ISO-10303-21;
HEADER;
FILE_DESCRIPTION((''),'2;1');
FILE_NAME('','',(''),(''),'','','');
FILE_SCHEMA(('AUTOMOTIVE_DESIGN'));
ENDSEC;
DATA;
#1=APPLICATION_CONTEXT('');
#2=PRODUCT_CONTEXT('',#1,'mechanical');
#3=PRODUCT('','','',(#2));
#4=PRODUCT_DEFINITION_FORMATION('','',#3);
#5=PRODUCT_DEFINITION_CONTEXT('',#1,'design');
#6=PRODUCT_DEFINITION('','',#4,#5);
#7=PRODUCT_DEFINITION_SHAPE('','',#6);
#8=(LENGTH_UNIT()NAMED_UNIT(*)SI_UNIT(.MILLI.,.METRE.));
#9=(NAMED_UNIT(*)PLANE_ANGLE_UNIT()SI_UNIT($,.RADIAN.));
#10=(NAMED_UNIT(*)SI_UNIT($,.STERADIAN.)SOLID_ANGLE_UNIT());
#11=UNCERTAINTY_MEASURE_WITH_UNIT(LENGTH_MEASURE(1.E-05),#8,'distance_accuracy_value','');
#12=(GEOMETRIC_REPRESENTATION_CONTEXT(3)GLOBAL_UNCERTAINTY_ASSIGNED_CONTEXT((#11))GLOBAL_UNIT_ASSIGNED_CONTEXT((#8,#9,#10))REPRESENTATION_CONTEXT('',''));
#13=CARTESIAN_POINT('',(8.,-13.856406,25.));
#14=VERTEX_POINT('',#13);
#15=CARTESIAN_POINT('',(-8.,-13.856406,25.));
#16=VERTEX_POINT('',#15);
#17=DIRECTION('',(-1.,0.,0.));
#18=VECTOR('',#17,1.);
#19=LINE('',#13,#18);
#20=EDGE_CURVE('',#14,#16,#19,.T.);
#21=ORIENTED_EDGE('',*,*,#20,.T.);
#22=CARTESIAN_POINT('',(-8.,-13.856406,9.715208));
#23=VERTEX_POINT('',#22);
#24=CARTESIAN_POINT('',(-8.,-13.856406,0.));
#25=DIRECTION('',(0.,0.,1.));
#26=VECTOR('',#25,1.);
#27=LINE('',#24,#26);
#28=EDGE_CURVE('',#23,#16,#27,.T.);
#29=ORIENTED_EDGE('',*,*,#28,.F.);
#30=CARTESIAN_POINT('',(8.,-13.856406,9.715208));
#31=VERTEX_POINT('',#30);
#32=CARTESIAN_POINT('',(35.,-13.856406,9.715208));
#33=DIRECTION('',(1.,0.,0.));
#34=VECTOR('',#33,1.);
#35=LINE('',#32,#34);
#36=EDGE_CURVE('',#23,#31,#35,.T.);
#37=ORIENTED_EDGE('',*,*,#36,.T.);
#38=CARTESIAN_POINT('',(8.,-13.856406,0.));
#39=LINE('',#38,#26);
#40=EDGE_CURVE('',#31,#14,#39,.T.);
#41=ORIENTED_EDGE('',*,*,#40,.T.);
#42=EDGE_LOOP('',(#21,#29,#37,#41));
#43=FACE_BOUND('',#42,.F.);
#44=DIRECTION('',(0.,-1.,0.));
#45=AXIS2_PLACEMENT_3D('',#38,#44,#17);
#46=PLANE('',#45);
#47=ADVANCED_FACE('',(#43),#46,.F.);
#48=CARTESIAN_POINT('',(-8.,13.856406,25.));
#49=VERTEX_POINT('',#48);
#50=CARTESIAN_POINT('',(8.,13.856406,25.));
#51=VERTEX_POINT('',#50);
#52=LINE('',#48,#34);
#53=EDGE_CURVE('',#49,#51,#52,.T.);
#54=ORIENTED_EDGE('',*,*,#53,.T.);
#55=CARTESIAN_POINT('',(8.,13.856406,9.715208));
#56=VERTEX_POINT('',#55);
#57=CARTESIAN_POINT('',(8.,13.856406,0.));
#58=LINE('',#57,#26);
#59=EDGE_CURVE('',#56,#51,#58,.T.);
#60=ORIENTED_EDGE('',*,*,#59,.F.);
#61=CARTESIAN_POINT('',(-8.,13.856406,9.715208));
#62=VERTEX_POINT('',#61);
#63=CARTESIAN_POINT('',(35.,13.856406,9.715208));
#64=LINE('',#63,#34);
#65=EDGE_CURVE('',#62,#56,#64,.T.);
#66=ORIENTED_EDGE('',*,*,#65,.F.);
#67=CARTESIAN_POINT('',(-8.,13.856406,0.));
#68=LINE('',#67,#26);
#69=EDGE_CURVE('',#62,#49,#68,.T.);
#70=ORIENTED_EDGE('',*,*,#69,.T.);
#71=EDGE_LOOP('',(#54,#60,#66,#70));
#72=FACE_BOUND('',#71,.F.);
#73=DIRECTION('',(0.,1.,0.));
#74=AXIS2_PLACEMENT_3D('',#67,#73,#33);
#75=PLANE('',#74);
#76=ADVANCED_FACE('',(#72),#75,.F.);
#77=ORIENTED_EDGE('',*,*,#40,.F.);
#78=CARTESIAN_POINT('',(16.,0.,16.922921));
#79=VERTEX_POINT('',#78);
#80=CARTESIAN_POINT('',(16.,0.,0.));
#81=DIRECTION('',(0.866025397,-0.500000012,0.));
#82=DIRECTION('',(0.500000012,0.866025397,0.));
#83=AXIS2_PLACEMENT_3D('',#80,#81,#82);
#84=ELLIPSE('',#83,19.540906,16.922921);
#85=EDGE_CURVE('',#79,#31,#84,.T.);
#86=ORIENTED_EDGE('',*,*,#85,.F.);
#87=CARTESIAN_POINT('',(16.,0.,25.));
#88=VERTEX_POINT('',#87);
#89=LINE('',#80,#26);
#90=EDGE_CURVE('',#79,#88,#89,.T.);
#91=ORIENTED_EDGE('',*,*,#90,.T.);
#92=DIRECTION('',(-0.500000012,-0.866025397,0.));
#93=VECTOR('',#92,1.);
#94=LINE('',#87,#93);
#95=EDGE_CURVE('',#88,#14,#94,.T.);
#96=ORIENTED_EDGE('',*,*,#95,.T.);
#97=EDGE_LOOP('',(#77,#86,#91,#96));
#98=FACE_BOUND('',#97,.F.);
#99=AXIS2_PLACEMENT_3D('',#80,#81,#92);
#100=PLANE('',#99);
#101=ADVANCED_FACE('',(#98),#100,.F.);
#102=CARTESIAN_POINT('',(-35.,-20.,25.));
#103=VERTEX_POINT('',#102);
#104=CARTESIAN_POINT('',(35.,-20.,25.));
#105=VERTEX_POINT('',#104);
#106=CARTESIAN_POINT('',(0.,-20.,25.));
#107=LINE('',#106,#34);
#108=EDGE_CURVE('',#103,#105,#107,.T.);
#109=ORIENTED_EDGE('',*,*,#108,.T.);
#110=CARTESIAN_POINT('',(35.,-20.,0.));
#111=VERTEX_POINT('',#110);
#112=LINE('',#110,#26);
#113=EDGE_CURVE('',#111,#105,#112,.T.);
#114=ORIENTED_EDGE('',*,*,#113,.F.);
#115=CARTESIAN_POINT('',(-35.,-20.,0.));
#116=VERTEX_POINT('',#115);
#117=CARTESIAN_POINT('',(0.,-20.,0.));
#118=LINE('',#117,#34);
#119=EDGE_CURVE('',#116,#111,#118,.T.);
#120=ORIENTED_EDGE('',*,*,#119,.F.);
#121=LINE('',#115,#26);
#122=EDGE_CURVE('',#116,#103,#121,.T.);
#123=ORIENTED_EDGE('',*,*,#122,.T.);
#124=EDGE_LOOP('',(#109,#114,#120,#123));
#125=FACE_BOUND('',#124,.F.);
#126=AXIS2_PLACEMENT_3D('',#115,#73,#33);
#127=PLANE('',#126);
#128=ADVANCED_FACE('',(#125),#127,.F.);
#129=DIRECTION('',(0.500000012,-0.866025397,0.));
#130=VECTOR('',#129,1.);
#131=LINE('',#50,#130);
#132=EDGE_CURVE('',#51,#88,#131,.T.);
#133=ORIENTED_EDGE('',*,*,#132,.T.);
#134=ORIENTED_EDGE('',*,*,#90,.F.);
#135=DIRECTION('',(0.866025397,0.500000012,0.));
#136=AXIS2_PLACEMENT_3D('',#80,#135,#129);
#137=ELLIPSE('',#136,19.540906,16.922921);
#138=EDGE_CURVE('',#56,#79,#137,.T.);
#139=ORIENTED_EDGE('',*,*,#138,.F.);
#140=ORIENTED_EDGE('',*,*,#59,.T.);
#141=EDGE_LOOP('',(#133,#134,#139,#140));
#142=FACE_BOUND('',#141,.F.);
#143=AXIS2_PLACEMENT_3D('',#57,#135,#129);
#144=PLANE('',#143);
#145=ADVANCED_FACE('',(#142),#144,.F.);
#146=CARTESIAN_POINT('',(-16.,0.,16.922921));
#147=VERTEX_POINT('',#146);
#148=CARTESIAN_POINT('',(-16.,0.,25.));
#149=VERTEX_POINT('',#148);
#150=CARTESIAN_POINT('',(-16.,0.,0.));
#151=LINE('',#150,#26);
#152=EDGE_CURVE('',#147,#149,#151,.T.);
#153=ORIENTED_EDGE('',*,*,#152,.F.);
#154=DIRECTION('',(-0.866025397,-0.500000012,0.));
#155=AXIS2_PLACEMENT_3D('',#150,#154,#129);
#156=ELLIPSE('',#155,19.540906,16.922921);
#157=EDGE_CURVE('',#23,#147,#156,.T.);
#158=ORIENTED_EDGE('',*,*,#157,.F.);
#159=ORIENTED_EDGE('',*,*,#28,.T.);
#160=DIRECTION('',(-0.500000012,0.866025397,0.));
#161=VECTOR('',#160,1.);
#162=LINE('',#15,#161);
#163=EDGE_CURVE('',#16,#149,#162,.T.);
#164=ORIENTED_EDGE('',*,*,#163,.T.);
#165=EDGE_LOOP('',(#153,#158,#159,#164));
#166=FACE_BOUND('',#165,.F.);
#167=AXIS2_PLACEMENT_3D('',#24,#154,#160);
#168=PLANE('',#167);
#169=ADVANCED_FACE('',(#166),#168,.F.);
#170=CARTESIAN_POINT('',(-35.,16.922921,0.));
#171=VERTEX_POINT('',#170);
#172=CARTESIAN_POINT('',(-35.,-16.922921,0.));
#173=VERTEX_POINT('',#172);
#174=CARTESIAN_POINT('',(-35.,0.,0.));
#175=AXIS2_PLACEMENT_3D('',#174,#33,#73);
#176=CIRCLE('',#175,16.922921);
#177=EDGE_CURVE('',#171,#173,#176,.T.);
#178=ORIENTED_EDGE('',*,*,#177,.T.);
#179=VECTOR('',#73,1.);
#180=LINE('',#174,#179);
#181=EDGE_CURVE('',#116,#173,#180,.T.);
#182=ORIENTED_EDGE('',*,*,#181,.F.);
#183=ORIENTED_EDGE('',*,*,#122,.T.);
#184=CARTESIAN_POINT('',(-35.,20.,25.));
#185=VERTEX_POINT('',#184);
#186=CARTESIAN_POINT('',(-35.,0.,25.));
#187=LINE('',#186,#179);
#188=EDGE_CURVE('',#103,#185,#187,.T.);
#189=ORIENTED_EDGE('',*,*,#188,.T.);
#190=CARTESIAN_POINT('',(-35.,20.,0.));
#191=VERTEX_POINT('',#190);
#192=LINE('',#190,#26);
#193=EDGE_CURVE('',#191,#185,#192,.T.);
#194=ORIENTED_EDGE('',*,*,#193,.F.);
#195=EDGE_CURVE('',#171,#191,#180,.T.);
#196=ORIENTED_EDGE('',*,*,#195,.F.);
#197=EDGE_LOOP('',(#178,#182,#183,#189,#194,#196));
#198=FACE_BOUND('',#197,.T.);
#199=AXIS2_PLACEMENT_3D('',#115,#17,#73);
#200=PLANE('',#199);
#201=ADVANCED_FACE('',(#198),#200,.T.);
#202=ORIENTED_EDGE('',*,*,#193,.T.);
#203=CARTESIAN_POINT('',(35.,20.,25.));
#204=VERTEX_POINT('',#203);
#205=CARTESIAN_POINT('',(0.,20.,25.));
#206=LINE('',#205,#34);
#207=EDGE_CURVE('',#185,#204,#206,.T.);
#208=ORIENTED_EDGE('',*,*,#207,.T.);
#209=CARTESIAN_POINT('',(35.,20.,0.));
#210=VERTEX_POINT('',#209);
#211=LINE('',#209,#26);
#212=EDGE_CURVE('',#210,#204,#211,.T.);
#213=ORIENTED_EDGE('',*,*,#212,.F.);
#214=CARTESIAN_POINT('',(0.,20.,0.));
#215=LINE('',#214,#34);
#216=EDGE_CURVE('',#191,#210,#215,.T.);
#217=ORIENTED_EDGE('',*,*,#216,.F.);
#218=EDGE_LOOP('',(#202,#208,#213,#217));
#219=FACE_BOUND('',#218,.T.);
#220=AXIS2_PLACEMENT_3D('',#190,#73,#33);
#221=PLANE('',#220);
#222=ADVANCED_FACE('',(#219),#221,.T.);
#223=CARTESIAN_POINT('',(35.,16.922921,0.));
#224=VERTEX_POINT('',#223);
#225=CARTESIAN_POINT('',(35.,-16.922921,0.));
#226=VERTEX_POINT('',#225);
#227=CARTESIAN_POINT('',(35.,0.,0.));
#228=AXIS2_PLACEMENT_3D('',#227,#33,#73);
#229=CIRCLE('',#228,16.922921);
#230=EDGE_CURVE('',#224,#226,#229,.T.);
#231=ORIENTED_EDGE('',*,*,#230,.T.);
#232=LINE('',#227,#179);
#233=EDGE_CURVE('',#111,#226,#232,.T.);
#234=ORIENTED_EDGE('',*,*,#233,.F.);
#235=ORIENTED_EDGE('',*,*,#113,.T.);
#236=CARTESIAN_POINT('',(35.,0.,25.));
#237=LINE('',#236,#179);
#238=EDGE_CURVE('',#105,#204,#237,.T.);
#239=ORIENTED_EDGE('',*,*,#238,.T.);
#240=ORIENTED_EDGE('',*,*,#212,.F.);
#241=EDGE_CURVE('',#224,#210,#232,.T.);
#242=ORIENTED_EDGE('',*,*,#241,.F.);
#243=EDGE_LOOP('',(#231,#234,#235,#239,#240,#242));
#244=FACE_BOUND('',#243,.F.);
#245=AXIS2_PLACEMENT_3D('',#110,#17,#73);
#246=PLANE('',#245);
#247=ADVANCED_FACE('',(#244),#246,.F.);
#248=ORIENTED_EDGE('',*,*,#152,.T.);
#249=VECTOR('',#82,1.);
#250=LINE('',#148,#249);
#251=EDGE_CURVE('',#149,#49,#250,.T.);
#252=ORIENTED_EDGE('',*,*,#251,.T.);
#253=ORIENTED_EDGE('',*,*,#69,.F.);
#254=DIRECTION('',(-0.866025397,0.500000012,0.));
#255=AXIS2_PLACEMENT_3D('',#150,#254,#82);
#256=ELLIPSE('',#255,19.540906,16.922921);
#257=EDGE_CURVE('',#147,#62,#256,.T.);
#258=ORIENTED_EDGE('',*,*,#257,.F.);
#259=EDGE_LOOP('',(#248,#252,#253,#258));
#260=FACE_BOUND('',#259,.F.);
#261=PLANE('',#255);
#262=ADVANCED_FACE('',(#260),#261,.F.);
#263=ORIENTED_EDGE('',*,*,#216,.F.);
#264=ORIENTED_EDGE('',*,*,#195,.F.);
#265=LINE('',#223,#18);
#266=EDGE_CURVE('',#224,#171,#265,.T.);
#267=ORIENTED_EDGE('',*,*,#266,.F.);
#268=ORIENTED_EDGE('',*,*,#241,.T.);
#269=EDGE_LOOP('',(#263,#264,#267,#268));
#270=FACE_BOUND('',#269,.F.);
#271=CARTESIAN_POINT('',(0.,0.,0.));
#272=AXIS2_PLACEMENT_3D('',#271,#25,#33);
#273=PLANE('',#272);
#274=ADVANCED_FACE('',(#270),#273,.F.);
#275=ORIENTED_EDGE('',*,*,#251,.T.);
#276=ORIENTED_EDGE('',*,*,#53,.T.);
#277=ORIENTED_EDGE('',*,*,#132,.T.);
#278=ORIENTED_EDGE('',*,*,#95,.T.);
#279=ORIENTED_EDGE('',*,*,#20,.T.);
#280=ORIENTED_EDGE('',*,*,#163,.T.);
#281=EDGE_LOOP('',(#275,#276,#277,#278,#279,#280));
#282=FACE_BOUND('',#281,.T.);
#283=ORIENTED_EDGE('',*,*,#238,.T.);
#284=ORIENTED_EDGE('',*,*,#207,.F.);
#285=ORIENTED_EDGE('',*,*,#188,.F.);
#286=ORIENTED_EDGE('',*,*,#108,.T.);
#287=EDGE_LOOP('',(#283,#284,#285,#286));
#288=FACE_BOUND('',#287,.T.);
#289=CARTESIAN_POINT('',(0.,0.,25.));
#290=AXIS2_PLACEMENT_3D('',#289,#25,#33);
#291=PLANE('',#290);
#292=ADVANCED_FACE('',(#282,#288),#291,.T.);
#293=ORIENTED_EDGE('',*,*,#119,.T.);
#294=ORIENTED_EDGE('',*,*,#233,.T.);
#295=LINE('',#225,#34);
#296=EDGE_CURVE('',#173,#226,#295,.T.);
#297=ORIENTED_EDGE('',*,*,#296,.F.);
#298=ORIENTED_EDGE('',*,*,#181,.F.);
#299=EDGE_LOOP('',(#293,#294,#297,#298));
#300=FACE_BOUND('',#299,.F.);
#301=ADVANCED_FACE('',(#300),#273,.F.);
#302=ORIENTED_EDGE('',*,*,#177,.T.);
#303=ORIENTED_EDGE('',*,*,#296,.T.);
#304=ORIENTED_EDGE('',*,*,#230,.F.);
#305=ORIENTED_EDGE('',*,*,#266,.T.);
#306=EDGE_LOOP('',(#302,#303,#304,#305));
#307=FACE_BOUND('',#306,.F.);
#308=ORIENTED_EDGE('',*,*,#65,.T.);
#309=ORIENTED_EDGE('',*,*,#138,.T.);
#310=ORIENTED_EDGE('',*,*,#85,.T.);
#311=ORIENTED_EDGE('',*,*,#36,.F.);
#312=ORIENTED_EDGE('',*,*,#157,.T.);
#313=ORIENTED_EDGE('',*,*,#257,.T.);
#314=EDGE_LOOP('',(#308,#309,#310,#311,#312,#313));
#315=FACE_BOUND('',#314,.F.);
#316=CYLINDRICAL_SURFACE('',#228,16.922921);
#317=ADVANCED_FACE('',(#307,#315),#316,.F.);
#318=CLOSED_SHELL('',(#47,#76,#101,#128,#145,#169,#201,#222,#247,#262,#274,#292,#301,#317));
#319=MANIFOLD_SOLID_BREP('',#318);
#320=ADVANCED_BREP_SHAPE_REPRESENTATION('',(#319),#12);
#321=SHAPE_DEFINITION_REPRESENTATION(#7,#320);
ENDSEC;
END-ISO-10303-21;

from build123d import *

# Parameters (mm, degrees)
F0_W     = 70
F0_H     = 40
F1_DEPTH = 25
F3_DEPTH = 70.001


with BuildPart() as f1:
    # F0 (on Top) → F1 (new body)
    with BuildSketch(Plane.XY):
        Rectangle(F0_W, F0_H)
        Polygon((-8, -13.856406), (-16, 0), (-8, 13.856406), (8, 13.856406), (16, 0), (8, -13.856406), align=None, mode=Mode.SUBTRACT)
    extrude(amount=F1_DEPTH)

    # F2 (on face) → F3 (cut, through all)
    with BuildSketch(Plane.YZ.offset(35)):
        with BuildLine():
            ThreePointArc((-16.922921, 0), (0, -16.922921), (16.922921, 0))
            Line((16.922921, 0), (-16.922921, 0))
        make_face()
        with BuildLine():
            Line((-16.922921, 0), (16.922921, 0))
            ThreePointArc((16.922921, 0), (0, 16.922921), (-16.922921, 0))
        make_face()
    extrude(amount=-F3_DEPTH, mode=Mode.SUBTRACT)


solid = f1.part
